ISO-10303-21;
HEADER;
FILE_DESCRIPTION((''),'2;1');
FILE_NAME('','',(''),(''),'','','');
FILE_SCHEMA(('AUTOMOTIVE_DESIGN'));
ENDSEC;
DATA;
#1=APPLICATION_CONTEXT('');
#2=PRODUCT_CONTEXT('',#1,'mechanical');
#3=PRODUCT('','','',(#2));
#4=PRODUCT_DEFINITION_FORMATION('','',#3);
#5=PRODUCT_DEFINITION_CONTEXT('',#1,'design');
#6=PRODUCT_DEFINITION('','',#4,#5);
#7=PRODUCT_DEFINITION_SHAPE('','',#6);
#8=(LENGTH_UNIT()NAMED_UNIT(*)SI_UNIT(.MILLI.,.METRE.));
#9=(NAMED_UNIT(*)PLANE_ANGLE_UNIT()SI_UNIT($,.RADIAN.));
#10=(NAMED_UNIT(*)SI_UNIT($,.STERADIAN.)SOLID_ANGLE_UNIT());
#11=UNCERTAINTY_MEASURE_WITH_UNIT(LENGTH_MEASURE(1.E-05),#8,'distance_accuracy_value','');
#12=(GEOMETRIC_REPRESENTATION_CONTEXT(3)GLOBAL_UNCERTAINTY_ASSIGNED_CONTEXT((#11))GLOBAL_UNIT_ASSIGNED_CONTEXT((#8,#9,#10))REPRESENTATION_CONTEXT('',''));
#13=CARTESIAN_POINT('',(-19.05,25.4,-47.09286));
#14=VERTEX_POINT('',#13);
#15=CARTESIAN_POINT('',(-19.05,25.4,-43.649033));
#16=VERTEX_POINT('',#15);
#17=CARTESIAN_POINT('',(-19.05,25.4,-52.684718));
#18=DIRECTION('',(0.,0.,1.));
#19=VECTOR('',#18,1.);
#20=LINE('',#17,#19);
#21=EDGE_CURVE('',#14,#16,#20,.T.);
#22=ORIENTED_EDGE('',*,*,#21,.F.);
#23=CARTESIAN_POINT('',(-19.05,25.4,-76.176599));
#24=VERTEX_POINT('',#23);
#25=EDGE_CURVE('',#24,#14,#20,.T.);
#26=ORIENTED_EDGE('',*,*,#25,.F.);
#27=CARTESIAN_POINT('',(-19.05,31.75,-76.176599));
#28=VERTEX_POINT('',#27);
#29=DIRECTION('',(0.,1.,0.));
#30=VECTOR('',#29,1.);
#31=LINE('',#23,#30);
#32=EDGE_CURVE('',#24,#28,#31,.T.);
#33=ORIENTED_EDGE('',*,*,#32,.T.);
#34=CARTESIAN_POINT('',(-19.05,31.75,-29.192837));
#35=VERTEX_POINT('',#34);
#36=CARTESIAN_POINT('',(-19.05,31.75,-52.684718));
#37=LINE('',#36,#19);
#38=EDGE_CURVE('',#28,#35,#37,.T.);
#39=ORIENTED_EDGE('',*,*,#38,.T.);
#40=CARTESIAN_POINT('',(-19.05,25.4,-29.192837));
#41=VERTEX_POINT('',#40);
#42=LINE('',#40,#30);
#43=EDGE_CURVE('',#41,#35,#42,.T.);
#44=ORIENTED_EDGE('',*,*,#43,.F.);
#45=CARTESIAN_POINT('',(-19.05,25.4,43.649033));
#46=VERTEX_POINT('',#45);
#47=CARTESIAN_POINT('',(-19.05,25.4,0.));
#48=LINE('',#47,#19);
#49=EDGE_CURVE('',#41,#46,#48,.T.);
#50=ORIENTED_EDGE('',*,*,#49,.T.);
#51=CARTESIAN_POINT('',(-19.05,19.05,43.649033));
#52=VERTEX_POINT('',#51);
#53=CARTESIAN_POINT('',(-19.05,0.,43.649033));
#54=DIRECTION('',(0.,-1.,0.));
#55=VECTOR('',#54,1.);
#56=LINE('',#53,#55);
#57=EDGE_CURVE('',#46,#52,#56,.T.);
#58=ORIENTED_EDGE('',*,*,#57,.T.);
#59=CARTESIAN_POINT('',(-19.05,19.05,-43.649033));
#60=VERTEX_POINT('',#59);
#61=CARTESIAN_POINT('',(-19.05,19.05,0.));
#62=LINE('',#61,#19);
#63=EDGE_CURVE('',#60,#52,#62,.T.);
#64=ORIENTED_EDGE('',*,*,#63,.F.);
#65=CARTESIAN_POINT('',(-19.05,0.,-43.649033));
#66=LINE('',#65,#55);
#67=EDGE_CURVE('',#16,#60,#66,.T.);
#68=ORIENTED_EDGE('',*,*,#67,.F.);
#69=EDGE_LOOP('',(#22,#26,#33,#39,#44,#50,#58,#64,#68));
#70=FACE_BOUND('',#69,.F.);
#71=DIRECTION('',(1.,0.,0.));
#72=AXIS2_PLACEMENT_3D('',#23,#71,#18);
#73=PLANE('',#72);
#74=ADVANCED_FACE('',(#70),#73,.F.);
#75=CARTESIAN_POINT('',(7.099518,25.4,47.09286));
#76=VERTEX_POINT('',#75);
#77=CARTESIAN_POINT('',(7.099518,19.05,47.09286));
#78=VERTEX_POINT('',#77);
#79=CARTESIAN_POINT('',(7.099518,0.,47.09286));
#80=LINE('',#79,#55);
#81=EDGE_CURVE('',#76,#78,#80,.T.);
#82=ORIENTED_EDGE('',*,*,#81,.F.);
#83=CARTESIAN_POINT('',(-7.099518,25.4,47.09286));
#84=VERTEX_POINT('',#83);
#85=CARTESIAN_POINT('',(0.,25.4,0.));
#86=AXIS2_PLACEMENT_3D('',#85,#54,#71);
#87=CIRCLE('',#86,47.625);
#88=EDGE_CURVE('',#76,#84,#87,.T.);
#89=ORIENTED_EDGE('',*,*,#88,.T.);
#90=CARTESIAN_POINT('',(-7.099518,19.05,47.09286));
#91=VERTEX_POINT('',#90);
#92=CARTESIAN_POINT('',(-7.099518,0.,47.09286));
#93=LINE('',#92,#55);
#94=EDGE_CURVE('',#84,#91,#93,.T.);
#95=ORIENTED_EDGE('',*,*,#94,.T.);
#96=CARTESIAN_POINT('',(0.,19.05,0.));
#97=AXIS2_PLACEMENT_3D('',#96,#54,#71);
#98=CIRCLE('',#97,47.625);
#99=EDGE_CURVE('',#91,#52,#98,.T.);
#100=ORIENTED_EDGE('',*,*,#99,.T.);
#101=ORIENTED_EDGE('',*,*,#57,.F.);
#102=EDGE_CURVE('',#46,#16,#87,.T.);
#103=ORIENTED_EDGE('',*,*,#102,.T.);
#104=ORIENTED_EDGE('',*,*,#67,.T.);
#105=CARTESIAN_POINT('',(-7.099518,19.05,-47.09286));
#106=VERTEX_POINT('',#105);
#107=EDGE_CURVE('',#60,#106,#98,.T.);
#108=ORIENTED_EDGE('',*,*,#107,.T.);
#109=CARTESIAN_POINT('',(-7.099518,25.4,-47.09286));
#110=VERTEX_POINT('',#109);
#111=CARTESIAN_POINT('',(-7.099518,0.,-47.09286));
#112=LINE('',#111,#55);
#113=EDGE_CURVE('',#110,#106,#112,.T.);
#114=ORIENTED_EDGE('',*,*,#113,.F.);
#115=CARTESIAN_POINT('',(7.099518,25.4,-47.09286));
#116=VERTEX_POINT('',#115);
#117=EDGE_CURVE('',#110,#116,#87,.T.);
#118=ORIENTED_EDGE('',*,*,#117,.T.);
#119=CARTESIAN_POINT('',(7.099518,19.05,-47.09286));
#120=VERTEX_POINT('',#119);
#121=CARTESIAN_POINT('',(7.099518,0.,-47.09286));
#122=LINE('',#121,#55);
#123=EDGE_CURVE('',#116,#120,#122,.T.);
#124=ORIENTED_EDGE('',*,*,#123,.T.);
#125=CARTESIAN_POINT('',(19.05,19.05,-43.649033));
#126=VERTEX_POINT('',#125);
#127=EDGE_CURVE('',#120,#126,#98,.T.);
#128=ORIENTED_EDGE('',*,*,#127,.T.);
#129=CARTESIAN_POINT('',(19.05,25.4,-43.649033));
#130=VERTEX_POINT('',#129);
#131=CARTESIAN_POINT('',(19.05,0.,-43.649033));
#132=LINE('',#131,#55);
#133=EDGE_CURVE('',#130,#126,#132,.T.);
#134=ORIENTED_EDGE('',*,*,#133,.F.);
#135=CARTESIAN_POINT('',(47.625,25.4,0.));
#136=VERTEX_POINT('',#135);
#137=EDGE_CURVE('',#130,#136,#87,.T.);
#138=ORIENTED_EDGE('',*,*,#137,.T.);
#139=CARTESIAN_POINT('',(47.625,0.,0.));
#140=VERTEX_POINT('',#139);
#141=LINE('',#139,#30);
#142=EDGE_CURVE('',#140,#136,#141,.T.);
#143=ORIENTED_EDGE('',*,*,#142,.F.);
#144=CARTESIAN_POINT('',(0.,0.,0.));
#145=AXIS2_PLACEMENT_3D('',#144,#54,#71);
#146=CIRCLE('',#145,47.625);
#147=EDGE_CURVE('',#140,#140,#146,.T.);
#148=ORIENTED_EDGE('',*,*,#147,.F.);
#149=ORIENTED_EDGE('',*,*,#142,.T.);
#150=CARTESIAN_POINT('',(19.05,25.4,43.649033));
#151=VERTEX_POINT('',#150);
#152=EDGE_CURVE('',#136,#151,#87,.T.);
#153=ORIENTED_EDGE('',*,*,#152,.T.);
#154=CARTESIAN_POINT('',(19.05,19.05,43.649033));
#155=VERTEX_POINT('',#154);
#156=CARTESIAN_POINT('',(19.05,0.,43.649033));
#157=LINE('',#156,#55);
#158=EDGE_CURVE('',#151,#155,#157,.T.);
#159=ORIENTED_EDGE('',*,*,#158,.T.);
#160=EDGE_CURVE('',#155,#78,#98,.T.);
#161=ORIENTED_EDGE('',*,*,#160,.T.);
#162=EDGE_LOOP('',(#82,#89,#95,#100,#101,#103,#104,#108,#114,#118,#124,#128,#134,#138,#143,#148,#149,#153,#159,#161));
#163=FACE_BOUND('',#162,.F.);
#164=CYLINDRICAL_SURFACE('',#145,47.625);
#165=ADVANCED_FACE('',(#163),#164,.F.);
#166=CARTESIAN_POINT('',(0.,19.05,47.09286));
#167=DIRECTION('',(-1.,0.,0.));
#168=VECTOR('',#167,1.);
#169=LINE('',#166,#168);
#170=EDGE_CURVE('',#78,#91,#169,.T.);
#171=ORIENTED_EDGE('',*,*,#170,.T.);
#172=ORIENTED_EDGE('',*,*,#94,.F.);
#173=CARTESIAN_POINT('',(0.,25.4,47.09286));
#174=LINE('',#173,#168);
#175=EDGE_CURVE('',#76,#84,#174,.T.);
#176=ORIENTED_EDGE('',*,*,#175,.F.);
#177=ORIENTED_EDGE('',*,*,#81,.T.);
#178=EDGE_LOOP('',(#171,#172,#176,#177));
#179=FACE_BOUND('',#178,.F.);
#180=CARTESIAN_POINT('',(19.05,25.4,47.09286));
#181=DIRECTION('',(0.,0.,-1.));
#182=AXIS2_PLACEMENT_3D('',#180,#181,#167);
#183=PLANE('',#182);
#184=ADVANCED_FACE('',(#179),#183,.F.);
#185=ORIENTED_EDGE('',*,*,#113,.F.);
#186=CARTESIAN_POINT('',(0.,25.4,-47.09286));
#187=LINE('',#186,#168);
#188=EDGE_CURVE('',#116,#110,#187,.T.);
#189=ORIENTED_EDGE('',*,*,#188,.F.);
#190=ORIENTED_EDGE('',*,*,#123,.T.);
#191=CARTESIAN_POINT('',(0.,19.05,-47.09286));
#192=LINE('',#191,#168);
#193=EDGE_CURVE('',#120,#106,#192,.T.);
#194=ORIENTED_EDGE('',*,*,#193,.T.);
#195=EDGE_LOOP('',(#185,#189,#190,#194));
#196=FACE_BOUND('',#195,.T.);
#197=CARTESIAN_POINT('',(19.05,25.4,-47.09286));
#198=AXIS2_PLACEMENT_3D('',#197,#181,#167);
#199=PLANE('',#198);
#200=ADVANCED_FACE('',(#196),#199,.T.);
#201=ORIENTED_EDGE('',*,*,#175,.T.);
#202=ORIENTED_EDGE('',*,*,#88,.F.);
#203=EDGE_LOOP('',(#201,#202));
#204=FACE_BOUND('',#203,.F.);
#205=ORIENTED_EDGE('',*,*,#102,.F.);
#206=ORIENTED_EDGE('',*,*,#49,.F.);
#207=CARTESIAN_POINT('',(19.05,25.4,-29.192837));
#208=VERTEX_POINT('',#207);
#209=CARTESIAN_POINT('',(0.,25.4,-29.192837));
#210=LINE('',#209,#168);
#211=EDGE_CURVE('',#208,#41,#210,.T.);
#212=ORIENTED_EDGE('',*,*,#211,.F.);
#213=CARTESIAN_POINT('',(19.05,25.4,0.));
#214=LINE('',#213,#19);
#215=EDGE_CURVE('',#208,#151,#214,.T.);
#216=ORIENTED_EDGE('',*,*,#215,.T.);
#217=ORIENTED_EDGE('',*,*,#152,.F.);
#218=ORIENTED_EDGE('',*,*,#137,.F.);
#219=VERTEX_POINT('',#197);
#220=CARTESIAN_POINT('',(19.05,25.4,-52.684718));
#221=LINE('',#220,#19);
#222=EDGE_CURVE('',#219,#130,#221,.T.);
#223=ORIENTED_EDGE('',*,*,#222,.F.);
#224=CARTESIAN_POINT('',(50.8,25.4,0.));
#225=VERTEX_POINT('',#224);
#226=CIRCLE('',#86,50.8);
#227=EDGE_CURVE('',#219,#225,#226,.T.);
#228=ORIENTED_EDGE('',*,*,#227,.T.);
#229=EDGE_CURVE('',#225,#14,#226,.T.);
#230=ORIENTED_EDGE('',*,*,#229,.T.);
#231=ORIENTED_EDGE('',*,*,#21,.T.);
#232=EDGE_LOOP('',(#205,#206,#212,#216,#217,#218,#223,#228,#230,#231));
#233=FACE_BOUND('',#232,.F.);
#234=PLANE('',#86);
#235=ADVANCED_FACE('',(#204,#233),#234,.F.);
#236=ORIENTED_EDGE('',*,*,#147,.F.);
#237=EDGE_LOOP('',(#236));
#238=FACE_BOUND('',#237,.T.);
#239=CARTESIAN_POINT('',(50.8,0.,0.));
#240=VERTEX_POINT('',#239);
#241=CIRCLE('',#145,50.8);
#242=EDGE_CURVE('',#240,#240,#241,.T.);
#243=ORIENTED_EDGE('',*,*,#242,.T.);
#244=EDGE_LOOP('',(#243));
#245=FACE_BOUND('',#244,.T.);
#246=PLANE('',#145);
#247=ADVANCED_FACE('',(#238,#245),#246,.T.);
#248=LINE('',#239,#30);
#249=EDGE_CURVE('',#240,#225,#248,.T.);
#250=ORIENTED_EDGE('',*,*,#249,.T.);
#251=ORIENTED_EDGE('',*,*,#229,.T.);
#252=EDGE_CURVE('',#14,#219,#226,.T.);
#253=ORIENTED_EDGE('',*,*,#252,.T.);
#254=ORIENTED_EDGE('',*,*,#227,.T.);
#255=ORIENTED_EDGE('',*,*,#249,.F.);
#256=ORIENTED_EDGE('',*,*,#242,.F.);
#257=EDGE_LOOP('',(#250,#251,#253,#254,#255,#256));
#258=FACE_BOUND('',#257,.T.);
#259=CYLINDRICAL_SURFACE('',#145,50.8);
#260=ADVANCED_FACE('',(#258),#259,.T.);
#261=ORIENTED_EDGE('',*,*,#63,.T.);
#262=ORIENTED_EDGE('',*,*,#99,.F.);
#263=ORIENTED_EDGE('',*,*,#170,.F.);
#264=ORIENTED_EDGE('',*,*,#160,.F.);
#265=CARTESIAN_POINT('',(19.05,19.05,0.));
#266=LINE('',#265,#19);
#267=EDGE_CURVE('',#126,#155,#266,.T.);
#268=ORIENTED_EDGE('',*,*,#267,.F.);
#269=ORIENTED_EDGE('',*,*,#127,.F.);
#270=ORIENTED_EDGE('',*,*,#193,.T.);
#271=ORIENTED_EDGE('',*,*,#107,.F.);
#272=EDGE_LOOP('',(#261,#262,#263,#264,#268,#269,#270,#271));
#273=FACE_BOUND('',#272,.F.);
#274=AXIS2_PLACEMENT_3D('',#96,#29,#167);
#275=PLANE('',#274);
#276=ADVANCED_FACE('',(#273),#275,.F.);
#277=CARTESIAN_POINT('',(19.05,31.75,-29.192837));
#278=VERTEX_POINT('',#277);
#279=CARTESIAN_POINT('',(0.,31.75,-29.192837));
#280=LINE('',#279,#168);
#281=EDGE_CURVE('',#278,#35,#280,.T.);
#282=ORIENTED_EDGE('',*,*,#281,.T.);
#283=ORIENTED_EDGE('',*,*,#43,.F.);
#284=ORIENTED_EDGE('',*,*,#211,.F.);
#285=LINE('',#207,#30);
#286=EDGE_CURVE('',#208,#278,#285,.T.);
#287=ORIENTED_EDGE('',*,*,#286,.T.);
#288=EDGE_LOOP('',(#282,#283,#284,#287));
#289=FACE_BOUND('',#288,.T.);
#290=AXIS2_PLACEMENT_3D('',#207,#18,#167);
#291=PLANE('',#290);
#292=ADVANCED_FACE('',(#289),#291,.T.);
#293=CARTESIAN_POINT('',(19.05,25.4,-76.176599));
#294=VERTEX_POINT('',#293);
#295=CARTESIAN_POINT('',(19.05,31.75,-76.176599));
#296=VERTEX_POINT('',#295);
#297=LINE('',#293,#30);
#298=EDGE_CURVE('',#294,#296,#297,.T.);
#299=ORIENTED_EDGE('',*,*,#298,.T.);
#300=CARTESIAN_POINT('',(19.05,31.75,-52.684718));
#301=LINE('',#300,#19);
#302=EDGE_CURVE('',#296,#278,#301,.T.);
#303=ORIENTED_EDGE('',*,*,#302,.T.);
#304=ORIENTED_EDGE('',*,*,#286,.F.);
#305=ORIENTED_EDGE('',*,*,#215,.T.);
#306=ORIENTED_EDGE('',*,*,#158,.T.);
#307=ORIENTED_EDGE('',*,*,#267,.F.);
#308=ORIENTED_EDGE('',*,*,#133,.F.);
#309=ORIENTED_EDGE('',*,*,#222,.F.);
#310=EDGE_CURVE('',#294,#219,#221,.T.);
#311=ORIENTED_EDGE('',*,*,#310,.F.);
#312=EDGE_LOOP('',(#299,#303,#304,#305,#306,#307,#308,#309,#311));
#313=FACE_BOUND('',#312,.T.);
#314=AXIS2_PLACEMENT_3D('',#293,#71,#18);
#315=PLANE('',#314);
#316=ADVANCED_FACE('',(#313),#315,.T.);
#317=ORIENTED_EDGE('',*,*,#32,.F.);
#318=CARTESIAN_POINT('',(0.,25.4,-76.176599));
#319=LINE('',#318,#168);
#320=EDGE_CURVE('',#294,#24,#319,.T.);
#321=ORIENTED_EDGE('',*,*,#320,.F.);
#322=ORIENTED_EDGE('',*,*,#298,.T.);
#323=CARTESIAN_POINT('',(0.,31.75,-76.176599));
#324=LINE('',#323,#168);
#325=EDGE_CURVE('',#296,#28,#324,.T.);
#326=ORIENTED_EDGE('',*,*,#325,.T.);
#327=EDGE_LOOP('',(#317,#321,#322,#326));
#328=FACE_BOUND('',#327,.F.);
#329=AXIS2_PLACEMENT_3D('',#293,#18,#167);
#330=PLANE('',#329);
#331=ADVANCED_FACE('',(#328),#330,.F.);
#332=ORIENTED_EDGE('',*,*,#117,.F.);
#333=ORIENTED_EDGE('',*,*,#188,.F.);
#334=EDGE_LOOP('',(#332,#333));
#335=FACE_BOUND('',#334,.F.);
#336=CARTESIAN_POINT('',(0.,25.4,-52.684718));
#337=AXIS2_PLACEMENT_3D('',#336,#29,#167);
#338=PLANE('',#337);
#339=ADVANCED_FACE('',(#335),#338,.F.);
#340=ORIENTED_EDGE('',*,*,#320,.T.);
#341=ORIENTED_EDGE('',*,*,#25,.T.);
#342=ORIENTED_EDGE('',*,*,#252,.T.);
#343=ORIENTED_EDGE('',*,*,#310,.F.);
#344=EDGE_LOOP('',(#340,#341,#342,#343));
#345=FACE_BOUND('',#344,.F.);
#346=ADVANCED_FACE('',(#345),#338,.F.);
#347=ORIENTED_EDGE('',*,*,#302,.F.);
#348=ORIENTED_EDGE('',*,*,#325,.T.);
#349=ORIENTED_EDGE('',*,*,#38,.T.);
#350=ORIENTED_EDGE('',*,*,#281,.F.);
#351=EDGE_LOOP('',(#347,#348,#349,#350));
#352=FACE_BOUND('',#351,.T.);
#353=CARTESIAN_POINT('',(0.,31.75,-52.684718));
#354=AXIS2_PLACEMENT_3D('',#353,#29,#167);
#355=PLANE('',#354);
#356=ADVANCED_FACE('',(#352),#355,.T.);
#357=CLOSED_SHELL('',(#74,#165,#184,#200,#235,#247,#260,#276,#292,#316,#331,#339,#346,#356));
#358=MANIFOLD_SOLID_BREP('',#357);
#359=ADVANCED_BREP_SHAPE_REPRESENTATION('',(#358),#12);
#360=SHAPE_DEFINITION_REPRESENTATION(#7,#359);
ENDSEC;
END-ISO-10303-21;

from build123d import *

# Parameters (mm, degrees)
F0_R     = 50.8
F1_DEPTH = 25.4
F2_R     = 47.625
F3_DEPTH = 25.4
F4_W     = 38.1
F4_H     = 94.18572
F5_DEPTH = 6.35
F6_W     = 38.1
F6_H     = 46.983762
F7_DEPTH = 6.35


with BuildPart() as f1:
    # F0 (on Front) → F1 (new body)
    with BuildSketch(Plane.XZ):
        Circle(F0_R)
    extrude(amount=-F1_DEPTH)

    # F2 (on face) → F3 (cut)
    with BuildSketch(Plane.XZ):
        Circle(F2_R)
    extrude(amount=-F3_DEPTH, mode=Mode.SUBTRACT)

    # F4 (on face) → F5 (join)
    with BuildSketch(Plane(origin=(0, 25.4, 0), x_dir=(-1, 0, 0), z_dir=(0, 1, 0))):
        Rectangle(F4_W, F4_H)
    extrude(amount=-F5_DEPTH)

    # F6 (on face) → F7 (join)
    with BuildSketch(Plane(origin=(0, 25.4, 0), x_dir=(-1, 0, 0), z_dir=(0, 1, 0))):
        with Locations((0, -52.684718)):
            Rectangle(F6_W, F6_H)
    extrude(amount=F7_DEPTH)


solid = f1.part
